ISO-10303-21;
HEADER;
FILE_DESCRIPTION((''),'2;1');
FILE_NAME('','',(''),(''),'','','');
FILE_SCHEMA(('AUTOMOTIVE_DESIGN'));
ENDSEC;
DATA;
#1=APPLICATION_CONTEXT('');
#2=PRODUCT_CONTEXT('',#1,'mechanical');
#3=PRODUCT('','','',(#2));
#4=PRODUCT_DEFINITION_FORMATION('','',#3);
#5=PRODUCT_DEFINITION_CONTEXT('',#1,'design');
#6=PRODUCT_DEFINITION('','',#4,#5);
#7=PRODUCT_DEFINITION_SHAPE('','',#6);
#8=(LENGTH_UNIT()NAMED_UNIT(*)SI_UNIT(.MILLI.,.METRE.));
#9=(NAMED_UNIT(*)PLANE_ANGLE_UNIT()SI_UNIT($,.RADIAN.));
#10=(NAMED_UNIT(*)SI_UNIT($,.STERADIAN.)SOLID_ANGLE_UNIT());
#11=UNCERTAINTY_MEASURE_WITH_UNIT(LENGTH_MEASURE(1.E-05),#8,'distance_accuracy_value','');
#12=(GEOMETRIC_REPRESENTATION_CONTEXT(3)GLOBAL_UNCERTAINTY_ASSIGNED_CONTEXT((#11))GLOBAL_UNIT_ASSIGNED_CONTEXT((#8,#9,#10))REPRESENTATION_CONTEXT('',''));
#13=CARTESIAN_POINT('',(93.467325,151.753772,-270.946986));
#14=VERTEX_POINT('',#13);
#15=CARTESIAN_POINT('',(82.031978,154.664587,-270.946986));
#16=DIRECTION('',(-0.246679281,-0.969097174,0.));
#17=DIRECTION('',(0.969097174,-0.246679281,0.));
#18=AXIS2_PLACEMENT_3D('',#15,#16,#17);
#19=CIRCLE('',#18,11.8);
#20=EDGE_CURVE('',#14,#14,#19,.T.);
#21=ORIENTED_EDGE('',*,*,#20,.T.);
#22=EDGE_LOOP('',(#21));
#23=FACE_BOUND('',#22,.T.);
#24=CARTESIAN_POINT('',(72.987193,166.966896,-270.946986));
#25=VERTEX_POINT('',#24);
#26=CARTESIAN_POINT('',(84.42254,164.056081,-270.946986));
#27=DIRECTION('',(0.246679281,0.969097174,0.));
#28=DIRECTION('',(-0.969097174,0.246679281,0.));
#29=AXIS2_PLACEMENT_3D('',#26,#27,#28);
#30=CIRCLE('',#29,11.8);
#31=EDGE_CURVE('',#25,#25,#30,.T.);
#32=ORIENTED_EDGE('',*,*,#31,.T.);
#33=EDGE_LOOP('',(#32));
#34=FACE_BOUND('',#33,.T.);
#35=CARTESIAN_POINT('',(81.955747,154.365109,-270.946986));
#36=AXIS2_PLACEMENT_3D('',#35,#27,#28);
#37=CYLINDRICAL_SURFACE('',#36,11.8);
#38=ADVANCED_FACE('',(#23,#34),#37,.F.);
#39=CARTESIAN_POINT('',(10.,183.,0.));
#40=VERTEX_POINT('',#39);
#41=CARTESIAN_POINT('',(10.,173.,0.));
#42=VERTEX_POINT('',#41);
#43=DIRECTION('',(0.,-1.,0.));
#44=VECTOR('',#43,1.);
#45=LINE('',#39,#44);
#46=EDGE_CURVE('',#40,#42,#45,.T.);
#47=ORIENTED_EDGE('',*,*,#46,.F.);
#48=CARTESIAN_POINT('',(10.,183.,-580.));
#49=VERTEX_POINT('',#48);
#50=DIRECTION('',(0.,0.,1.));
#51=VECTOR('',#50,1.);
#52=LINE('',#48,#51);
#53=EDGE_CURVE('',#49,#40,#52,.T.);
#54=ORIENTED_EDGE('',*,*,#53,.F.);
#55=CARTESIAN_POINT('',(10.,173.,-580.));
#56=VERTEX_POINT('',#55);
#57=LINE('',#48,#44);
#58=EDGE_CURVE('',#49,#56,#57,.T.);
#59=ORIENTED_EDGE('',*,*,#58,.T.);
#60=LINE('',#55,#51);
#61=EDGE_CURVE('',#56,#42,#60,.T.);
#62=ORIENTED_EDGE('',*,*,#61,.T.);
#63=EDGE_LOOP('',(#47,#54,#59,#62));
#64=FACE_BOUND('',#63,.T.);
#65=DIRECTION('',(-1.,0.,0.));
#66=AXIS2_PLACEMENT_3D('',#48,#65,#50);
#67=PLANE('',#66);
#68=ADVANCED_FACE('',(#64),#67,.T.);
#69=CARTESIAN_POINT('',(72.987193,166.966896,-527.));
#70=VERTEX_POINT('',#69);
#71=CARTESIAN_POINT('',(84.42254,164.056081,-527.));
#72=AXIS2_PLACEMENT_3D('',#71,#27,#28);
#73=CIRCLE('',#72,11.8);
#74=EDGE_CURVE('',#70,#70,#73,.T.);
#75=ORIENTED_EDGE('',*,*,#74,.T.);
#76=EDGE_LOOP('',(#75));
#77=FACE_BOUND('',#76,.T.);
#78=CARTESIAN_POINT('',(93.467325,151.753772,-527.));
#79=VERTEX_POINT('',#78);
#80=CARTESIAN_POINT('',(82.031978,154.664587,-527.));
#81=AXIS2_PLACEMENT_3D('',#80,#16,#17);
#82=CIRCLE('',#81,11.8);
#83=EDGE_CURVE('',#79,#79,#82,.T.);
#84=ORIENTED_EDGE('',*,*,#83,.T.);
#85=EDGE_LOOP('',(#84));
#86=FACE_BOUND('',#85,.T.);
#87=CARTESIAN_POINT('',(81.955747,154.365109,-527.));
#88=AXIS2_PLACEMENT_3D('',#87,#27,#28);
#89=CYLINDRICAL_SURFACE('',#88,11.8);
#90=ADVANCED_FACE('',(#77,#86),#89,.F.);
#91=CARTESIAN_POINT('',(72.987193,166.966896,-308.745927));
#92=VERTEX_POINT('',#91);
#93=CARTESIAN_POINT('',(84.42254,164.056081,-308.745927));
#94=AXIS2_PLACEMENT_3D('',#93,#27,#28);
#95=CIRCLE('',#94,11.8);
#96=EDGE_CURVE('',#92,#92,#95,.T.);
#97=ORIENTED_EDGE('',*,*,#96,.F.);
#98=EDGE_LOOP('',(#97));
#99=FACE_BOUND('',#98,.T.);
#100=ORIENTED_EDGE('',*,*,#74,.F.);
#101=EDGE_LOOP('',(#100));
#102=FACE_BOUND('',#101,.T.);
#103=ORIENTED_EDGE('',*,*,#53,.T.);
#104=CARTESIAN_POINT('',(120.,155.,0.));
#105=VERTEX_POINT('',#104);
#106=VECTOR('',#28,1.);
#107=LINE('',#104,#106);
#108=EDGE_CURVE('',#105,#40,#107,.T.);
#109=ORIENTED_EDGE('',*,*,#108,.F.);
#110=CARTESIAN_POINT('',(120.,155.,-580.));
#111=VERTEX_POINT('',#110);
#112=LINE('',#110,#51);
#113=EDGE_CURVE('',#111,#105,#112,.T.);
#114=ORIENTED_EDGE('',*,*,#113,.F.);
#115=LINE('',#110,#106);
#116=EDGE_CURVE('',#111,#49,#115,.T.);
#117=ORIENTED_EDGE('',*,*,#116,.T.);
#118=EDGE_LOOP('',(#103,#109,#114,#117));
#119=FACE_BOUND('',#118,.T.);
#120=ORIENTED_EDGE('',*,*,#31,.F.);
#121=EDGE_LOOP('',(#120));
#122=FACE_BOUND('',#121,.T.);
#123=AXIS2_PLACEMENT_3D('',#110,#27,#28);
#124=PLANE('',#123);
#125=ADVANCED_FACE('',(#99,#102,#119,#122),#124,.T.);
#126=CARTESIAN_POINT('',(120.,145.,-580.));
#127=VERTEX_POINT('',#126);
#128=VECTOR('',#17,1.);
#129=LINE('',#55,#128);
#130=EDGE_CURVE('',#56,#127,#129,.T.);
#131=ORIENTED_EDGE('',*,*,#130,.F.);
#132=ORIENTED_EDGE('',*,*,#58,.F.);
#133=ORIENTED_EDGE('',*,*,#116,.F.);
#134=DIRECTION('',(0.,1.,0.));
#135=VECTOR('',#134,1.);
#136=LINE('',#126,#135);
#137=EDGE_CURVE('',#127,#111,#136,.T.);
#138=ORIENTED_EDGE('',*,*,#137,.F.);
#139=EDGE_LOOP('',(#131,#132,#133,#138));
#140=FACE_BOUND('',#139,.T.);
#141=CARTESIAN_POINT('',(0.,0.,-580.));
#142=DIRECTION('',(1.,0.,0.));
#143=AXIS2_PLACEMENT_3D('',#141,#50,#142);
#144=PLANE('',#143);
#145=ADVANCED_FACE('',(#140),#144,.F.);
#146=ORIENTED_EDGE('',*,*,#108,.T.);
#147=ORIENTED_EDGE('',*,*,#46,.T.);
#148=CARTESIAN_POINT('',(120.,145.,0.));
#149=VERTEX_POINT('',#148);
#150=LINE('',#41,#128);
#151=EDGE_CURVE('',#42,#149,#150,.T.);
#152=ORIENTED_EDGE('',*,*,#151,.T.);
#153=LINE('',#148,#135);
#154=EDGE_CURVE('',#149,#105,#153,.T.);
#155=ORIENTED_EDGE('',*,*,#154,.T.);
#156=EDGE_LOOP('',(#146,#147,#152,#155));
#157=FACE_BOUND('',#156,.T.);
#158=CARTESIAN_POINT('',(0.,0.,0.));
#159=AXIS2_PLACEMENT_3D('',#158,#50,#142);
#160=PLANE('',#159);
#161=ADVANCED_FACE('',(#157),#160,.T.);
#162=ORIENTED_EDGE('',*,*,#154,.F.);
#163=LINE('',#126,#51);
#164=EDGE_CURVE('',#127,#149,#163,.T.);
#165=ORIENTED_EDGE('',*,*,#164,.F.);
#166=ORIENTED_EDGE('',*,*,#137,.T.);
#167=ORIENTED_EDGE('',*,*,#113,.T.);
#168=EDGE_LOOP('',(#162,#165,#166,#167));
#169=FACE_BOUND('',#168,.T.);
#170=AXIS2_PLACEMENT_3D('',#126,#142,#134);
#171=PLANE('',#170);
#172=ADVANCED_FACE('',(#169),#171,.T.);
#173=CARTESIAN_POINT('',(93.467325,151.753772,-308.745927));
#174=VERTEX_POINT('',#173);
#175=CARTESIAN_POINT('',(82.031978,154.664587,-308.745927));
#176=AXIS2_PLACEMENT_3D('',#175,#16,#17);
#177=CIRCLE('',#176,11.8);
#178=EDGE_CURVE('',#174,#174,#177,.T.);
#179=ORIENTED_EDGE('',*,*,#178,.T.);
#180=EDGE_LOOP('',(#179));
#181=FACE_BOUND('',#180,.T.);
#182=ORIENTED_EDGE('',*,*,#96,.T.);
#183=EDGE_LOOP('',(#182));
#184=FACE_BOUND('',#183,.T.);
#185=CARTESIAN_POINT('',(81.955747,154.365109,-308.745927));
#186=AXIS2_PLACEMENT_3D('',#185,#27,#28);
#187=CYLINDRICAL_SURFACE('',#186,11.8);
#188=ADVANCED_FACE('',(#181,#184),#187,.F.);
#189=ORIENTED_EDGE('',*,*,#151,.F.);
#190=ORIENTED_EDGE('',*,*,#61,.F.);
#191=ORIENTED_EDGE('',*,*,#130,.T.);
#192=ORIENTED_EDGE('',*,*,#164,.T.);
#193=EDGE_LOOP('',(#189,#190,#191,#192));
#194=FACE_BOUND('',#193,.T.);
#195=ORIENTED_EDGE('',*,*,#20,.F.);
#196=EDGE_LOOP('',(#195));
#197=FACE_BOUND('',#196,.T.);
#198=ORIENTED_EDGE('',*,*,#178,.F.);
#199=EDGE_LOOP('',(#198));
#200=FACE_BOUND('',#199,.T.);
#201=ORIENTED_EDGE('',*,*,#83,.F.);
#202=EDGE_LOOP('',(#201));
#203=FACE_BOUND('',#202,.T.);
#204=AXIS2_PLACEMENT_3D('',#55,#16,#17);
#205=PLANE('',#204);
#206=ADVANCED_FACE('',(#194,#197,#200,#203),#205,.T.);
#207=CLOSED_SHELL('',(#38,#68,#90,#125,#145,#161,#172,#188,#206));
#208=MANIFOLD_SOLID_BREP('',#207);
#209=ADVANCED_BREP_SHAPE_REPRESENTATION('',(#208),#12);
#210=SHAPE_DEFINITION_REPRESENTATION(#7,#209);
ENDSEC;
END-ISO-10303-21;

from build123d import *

# Parameters (mm, degrees)
BOSS_EXTRU_1_DEPTH      = 580
ESQUISSE2_R             = 11.8
ENL_V_MAT_EXTRU_1_DEPTH = 10


with BuildPart() as part:
    # Esquisse1 → Boss.-Extru.1 (new body)
    with BuildSketch(Plane.XY):
        Polygon((120, 155), (10, 183), (10, 173), (120, 145), align=None)
    extrude(amount=-BOSS_EXTRU_1_DEPTH)

    # Esquisse2 → Enlèv. mat.-Extru.1 (cut)
    with BuildSketch(Plane(origin=(44.355790127, 174.254889786, 0), x_dir=(0.969097174, -0.246679281, 0), z_dir=(0.246679281, 0.969097174, 0))):
        with Locations((41.344408766, 308.745926628)):
            Circle(ESQUISSE2_R)
        with Locations((41.344408766, 270.946985721)):
            Circle(ESQUISSE2_R)
        with Locations((41.344408766, 527)):
            Circle(ESQUISSE2_R)
    extrude(amount=-ENL_V_MAT_EXTRU_1_DEPTH, mode=Mode.SUBTRACT)


solid = part.part
